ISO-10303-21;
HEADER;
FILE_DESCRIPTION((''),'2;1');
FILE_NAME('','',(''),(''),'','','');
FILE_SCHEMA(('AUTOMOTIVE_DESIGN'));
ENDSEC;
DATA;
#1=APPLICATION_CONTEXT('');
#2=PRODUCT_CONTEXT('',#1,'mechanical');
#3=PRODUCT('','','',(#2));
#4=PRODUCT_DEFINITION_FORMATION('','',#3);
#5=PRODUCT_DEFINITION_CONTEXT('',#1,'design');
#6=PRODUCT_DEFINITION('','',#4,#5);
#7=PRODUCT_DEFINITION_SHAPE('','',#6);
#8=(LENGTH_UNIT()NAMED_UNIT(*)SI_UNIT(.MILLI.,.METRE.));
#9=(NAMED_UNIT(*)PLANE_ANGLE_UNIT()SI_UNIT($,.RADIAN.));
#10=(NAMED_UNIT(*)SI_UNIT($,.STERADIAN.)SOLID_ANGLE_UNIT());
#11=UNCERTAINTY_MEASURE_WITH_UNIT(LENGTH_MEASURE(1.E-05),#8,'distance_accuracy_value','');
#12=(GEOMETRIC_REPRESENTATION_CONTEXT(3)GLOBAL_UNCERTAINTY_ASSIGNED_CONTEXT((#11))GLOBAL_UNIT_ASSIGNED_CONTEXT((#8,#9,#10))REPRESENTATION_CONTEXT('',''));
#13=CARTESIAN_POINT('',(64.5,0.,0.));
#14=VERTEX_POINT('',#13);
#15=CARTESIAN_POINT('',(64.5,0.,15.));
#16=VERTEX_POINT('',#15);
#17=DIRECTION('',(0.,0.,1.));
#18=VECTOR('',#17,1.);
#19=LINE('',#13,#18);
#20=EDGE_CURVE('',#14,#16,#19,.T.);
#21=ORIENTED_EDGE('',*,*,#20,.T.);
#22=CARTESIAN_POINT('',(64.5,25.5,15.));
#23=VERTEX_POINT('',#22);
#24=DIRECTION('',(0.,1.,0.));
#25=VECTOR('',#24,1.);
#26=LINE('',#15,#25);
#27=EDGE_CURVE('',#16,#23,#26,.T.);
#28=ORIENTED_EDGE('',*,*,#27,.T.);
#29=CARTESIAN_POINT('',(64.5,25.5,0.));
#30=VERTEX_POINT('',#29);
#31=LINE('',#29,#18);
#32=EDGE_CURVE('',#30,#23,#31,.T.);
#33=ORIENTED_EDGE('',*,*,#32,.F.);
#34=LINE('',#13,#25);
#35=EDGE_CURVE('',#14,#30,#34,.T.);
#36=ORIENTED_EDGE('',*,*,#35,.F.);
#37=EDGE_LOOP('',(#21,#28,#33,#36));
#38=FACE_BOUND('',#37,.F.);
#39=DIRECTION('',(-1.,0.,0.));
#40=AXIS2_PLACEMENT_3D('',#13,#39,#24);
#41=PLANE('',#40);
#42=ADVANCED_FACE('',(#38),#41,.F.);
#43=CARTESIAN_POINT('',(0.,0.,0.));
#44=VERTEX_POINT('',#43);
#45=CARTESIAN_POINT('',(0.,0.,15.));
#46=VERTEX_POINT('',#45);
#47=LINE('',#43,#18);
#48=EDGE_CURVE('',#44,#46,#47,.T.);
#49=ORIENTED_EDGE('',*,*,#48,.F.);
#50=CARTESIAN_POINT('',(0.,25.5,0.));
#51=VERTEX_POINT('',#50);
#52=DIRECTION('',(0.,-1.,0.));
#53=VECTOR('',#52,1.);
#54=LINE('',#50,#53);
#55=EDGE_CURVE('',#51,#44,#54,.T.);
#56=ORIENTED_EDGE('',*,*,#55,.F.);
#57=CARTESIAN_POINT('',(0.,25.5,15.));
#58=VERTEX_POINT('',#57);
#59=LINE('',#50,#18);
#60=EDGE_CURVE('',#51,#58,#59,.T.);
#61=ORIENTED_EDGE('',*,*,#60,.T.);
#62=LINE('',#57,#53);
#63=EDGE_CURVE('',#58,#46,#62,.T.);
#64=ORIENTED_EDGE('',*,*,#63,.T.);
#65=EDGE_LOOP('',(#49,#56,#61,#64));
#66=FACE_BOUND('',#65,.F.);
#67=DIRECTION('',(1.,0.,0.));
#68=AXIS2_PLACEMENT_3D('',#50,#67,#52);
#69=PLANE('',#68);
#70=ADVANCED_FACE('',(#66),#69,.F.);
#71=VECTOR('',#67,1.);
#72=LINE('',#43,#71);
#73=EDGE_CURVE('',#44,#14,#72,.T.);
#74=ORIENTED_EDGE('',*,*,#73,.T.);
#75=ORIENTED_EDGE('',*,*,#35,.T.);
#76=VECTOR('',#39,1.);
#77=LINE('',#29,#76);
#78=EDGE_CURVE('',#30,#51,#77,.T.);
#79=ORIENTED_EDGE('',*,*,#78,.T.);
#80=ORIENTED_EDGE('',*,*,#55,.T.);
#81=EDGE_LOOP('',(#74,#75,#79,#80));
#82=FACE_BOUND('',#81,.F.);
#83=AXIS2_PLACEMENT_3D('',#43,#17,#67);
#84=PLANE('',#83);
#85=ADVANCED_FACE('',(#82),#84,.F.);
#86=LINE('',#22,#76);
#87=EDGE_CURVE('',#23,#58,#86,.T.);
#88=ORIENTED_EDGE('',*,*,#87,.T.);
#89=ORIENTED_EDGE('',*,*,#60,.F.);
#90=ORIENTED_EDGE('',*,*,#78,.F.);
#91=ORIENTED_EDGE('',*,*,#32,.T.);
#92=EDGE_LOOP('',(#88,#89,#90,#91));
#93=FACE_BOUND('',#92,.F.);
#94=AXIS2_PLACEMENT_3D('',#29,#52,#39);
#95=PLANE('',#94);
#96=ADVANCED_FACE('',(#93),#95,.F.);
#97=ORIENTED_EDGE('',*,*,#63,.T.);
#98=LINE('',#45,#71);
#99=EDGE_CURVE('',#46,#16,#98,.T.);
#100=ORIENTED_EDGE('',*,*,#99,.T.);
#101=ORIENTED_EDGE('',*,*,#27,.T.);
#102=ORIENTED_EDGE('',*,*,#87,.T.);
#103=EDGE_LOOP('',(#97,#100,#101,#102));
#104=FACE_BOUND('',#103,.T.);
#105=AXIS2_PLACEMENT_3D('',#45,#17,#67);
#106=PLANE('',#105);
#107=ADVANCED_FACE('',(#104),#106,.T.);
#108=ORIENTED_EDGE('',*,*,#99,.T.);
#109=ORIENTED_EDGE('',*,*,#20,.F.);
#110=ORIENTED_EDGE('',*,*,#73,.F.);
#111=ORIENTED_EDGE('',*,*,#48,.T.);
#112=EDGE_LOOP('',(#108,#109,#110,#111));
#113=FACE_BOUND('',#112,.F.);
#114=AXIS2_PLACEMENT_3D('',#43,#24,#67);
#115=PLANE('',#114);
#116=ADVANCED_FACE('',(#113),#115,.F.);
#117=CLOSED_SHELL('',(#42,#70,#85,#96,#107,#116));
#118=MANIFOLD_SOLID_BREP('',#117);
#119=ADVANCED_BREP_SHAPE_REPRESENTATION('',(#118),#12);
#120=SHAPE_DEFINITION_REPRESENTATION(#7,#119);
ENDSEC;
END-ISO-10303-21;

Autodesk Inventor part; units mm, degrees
ref_plane "YZ Plane" through (0, 0, 0) normal (1, 0, 0) x (0, 1, 0)
ref_plane "XZ Plane" through (0, 0, 0) normal (0, 1, 0) x (-1, 0, 0)
ref_plane "XY Plane" through (0, 0, 0) normal (0, 0, 1) x (1, 0, 0)
sketch "Sketch1" plane through (0, 0, 0) normal (0, 0, 1) x (1, 0, 0)
  line L0 (0, 0) -> (64.5, 0)
  line L1 (64.5, 0) -> (64.5, 25.5)
  line L2 (64.5, 25.5) -> (0, 25.5)
  line L3 (0, 25.5) -> (0, 0)
  dimension "d0" = 64.5
  dimension "d1" = 25.5
extrude "Extrusion1" add sketch "Sketch1" along normal blind 15
properties part number "waterblock connector"
